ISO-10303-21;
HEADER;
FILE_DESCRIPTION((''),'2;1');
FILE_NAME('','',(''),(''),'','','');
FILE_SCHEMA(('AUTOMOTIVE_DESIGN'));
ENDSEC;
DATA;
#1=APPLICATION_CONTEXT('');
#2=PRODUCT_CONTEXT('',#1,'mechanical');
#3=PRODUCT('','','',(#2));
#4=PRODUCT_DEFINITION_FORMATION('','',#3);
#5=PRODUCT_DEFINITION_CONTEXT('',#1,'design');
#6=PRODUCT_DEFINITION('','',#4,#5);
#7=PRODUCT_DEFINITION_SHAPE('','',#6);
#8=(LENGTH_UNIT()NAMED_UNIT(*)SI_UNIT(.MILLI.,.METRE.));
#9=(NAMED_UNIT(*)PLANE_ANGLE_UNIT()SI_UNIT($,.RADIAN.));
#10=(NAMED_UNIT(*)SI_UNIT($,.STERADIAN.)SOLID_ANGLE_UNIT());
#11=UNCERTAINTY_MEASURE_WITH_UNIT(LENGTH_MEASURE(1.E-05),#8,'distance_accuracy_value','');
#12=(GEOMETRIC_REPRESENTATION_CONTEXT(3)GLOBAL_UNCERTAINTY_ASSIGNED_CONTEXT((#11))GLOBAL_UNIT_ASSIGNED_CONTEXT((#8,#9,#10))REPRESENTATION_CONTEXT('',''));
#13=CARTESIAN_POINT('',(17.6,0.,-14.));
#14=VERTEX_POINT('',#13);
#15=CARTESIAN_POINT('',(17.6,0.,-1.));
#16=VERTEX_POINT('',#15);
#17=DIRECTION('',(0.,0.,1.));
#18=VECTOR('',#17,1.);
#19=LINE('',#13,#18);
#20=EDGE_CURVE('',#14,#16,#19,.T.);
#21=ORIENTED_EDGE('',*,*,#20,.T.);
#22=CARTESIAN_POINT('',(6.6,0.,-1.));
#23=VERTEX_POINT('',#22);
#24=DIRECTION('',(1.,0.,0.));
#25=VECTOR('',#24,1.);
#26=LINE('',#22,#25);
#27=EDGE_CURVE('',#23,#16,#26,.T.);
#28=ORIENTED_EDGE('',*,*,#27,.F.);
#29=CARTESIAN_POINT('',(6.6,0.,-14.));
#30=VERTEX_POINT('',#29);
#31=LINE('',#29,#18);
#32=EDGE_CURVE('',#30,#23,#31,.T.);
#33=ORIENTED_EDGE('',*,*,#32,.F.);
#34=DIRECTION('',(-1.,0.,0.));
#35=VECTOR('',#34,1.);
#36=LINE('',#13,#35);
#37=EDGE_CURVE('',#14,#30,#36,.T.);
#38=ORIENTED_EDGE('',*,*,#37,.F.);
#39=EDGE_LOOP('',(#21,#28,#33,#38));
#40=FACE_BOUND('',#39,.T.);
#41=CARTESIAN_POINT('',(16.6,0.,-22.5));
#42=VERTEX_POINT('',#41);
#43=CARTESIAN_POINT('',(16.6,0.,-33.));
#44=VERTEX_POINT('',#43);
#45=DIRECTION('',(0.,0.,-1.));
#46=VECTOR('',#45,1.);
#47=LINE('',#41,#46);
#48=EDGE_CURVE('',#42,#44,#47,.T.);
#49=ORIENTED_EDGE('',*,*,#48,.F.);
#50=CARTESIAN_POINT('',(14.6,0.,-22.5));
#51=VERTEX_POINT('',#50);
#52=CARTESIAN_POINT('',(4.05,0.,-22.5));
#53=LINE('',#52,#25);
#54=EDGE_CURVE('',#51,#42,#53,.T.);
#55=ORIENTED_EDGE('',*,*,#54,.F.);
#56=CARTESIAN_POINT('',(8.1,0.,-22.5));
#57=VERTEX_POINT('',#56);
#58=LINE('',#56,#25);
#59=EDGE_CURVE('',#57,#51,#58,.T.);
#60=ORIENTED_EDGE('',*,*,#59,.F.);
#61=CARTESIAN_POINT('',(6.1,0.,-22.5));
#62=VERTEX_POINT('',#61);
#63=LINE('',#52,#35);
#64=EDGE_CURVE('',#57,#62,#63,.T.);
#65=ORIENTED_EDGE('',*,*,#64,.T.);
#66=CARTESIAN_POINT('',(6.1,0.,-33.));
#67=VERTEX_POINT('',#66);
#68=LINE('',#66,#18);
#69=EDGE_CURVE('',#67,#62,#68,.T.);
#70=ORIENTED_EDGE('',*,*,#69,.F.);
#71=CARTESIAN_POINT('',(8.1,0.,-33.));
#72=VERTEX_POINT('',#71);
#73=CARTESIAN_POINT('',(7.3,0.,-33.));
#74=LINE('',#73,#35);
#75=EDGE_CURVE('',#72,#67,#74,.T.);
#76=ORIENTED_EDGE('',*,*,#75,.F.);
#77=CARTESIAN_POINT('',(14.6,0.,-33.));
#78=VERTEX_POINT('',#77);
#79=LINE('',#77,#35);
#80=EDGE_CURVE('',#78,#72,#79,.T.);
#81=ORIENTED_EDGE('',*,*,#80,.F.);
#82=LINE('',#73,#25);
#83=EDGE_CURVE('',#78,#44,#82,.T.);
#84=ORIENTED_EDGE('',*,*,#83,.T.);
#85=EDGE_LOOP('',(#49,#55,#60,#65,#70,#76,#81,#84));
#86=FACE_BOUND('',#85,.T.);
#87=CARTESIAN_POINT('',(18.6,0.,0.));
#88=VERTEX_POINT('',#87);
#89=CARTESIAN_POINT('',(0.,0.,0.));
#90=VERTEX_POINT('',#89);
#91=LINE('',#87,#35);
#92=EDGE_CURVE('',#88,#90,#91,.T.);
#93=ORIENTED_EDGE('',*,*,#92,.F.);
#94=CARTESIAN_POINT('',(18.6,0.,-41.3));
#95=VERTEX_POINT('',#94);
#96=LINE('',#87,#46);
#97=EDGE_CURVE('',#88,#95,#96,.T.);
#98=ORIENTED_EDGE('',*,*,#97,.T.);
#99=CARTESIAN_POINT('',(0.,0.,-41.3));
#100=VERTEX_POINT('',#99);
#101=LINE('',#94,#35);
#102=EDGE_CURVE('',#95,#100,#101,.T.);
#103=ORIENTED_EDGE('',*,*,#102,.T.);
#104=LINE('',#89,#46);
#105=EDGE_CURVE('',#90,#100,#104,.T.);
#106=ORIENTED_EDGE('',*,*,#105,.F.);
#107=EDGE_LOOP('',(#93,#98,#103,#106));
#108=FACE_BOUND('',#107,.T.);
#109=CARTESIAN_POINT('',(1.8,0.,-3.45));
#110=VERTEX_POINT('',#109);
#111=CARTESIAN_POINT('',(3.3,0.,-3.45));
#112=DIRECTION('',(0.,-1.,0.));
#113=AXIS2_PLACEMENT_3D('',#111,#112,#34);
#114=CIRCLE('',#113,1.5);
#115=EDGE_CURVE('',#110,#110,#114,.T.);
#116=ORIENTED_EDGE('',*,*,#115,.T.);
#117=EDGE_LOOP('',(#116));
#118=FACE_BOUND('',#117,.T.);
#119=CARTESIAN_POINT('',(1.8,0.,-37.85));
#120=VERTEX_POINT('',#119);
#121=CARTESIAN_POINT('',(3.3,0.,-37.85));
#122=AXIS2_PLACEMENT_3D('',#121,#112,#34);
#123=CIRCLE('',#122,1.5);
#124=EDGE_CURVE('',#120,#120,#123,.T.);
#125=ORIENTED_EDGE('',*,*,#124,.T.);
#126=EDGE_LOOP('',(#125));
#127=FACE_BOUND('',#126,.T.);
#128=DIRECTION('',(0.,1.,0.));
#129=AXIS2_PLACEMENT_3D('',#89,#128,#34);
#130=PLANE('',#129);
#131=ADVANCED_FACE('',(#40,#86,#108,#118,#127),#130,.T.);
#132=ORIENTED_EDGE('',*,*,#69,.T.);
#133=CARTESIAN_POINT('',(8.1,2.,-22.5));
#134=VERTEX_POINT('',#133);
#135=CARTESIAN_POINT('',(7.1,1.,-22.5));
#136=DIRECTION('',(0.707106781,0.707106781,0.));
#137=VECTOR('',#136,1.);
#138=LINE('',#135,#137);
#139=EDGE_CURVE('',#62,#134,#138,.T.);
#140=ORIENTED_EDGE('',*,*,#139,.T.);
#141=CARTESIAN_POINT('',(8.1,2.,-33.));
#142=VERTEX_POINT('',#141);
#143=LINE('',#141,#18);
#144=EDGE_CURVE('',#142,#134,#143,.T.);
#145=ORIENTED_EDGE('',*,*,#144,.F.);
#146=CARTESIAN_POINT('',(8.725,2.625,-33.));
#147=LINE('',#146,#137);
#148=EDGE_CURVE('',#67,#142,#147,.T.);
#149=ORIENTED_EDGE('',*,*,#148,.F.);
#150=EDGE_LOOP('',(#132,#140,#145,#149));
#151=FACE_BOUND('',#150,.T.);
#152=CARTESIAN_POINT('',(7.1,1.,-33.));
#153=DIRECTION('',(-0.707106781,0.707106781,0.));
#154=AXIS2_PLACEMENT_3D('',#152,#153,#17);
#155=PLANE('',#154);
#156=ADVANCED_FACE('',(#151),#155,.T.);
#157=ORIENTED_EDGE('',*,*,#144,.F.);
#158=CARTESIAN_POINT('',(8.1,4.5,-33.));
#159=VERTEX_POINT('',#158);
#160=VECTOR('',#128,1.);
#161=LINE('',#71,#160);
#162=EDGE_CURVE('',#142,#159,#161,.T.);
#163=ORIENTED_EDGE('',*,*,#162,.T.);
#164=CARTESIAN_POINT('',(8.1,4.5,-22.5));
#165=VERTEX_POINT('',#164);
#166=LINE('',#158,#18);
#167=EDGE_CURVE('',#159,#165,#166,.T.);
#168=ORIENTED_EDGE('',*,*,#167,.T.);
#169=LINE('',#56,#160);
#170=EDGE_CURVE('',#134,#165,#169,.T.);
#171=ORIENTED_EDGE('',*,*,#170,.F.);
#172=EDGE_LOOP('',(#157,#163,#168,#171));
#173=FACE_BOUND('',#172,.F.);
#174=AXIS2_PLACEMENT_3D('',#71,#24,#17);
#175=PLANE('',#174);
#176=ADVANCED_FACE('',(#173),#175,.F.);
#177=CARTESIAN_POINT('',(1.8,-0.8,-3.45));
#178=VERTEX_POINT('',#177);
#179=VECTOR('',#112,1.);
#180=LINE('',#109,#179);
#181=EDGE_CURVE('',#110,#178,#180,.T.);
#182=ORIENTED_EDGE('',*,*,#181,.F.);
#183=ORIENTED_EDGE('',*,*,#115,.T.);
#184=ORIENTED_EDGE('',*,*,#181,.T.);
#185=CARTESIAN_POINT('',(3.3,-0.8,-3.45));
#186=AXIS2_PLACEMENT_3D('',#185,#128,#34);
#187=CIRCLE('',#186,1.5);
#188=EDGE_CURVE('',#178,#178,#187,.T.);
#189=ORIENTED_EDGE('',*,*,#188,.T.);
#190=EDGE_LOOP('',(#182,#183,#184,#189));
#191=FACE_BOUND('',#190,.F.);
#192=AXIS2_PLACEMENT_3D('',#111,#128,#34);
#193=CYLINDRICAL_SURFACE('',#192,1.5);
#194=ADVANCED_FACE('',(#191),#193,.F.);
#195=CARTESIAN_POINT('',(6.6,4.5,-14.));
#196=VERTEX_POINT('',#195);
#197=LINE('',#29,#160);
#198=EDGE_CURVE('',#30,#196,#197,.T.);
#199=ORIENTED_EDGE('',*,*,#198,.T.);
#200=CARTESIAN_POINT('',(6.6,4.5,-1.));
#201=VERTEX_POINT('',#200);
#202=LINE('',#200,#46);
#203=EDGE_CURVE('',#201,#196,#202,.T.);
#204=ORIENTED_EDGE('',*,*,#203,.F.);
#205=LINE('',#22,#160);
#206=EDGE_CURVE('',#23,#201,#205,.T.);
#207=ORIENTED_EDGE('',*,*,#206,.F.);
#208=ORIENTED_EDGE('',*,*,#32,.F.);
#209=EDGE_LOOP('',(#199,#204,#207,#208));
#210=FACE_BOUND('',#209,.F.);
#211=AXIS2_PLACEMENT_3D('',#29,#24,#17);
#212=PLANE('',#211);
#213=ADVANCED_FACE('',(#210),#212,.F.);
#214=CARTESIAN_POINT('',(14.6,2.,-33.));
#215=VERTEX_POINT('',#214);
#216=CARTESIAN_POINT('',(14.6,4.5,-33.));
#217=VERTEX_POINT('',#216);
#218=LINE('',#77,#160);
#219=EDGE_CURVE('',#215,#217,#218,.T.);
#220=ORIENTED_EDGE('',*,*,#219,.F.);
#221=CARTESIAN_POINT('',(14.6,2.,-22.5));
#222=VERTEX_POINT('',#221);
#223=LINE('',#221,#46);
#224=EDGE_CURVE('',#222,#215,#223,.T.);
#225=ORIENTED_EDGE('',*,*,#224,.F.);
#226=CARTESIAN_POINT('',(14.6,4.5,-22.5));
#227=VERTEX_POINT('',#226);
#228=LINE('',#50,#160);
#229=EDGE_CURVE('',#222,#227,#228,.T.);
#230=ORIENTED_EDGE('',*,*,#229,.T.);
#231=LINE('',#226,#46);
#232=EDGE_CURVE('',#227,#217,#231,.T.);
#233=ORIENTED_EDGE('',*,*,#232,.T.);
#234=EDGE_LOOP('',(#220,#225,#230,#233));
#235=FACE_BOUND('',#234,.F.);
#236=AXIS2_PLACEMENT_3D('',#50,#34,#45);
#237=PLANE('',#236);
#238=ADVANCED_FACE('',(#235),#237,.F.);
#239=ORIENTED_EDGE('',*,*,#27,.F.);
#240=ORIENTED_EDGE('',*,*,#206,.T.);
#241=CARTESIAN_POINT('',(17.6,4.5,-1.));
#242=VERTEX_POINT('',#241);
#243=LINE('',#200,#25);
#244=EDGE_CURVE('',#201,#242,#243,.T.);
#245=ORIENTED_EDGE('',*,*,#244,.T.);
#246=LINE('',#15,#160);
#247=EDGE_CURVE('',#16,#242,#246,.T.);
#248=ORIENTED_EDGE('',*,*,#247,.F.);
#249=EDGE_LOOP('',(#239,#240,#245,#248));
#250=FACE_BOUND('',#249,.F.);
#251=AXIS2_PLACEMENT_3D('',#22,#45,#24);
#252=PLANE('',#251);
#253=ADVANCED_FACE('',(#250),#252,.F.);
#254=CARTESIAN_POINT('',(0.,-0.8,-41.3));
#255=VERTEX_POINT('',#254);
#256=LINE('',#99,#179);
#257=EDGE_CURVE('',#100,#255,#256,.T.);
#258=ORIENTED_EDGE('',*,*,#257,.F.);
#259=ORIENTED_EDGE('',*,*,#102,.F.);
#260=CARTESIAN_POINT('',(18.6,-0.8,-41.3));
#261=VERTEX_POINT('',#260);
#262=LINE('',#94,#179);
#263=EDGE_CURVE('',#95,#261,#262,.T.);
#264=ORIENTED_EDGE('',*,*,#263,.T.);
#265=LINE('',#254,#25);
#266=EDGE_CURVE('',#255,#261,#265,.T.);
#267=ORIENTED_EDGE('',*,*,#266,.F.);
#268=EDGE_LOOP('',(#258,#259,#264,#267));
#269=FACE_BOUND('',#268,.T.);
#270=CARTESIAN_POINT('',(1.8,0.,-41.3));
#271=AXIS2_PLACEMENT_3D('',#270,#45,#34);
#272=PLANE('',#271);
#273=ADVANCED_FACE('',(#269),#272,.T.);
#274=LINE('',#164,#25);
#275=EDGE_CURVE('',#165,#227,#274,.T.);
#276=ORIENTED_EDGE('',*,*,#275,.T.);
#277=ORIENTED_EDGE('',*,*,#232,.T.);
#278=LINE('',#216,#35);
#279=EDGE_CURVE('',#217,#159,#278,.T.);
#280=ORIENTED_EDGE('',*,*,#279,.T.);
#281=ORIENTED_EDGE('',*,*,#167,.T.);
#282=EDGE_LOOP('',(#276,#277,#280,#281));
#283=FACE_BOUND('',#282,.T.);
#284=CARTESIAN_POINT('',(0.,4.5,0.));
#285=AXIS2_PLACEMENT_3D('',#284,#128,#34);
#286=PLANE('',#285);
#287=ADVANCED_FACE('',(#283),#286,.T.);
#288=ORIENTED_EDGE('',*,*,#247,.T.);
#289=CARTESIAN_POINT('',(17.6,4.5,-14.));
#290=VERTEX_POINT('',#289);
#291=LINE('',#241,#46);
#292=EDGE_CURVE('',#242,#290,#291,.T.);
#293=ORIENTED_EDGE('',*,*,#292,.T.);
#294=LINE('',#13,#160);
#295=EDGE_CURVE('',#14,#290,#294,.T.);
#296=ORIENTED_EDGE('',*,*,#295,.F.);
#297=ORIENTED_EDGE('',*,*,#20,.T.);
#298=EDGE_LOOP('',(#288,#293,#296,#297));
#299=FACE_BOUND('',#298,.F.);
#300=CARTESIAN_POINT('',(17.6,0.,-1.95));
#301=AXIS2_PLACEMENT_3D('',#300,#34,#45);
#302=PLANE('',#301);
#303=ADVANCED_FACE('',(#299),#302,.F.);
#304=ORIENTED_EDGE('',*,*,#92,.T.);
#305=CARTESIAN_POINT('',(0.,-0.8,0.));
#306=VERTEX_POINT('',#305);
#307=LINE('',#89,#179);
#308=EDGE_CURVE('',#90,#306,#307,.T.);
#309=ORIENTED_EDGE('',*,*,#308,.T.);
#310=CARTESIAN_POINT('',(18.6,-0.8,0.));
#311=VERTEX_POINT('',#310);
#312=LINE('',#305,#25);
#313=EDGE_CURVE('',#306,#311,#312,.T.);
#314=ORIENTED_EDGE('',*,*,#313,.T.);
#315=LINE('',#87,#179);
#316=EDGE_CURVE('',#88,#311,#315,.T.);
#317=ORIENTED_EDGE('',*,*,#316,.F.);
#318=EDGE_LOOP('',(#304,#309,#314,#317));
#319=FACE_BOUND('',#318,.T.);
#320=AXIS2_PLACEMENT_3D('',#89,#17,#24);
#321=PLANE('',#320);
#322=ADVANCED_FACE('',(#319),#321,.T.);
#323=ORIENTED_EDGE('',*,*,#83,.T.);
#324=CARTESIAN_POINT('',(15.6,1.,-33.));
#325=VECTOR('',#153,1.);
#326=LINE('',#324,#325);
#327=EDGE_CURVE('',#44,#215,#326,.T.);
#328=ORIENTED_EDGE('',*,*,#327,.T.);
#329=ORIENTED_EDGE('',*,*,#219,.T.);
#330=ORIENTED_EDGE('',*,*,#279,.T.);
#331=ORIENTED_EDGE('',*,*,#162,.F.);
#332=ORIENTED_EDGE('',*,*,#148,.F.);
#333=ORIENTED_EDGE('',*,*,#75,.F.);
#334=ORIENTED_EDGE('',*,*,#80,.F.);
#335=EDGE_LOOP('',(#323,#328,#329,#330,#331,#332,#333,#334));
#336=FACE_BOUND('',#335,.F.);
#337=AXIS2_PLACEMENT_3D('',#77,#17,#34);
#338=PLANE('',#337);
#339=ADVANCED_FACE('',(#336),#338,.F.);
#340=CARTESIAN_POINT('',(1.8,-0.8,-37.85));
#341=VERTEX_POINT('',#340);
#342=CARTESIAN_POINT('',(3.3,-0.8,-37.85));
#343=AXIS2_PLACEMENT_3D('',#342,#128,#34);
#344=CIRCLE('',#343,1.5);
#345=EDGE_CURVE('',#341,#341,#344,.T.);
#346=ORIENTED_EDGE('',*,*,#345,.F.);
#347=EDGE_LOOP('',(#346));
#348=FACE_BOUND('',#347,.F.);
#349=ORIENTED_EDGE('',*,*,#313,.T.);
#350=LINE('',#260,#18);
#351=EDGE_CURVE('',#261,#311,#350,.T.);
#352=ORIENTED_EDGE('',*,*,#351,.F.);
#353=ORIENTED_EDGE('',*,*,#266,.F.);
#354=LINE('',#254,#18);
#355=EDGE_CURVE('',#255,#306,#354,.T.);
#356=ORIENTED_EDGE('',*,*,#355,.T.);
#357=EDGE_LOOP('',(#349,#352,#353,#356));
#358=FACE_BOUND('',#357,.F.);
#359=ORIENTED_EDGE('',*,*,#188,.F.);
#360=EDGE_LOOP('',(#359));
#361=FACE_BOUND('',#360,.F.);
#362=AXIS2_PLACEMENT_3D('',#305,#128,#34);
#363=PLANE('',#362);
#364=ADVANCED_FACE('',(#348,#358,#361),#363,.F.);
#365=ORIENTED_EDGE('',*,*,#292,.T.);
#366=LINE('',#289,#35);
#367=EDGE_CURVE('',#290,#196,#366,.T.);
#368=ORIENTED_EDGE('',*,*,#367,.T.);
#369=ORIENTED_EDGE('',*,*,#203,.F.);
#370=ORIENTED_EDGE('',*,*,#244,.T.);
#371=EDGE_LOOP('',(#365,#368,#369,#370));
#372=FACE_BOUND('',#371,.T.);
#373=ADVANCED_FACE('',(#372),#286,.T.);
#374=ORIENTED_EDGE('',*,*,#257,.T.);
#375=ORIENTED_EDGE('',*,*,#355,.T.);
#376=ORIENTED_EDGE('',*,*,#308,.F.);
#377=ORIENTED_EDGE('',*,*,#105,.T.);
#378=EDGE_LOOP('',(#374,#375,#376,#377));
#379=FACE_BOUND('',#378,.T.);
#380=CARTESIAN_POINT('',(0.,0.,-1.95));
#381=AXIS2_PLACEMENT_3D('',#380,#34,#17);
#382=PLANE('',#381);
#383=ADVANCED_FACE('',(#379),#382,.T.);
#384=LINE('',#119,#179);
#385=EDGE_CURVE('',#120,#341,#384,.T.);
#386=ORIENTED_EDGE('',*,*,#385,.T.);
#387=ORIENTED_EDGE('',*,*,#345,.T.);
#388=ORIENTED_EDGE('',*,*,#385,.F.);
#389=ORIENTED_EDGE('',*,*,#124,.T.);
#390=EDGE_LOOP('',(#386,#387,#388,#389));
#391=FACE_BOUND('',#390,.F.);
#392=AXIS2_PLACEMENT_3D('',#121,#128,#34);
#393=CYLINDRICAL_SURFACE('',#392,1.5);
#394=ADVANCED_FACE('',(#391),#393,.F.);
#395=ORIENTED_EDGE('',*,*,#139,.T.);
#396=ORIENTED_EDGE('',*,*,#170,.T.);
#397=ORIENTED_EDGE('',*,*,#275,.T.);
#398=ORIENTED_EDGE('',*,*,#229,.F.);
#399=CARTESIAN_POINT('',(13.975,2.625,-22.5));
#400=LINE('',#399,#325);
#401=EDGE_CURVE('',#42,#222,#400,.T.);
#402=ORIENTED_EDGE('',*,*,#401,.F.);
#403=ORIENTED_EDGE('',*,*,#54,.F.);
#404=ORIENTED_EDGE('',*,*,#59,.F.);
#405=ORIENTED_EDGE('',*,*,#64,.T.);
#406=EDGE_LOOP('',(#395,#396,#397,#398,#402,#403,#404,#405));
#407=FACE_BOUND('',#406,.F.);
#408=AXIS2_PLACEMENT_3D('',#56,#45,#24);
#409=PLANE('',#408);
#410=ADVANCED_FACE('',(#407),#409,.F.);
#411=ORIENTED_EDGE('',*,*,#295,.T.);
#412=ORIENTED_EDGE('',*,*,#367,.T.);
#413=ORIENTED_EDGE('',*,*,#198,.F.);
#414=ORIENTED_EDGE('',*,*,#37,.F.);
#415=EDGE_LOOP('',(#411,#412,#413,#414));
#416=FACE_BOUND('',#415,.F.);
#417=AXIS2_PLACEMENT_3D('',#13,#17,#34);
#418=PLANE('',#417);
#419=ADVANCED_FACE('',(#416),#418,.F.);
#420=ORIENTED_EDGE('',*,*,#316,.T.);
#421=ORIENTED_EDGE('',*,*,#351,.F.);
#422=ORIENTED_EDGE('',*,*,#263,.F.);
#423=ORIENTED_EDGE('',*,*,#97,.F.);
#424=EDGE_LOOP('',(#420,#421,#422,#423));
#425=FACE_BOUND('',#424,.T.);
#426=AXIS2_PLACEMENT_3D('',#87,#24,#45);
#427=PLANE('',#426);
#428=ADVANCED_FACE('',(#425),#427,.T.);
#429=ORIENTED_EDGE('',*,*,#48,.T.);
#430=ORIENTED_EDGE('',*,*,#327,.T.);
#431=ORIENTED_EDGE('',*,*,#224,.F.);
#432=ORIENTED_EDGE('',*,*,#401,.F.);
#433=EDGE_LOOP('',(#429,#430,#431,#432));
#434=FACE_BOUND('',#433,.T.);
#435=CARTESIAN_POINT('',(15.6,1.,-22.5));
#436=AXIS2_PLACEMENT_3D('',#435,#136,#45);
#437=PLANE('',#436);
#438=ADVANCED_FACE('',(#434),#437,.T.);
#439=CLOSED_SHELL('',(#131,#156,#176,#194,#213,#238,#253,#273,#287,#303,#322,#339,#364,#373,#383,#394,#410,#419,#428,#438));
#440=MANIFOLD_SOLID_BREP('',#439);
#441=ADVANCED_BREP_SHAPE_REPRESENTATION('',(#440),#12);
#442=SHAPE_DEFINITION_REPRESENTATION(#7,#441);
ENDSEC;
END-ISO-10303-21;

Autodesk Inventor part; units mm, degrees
ref_plane "YZ Plane" through (0, 0, 0) normal (1, 0, 0) x (0, 1, 0)
ref_plane "XZ Plane" through (0, 0, 0) normal (0, 1, 0) x (-1, 0, 0)
ref_plane "XY Plane" through (0, 0, 0) normal (0, 0, 1) x (1, 0, 0)
sketch "Sketch1" plane through (0, 0, 0) normal (0, 1, 0) x (-1, 0, 0)
  line L0 (0, 0) -> (-18.6, 0)
  line L1 (-18.6, 0) -> (-18.6, -41.3)
  line L2 (-18.6, -41.3) -> (0, -41.3)
  line L3 (0, -41.3) -> (0, 0)
  line L4 (-1.8, 0) -> (-1.8, -41.3)
  line L5 (0, -39.35) -> (-18.6, -39.35)
  circle A0 centre (-3.3, -3.45) radius 1.5
  circle A1 centre (-3.3, -37.85) radius 1.5
  line L6 (-8.1, -22.5) -> (-14.6, -22.5)
  line L7 (-14.6, -22.5) -> (-14.6, -33)
  line L8 (-14.6, -33) -> (-8.1, -33)
  line L9 (-8.1, -33) -> (-8.1, -22.5)
  line L10 (-6.6, -1) -> (-17.6, -1)
  line L11 (-17.6, -1) -> (-17.6, -14)
  line L12 (-17.6, -14) -> (-6.6, -14)
  line L13 (-6.6, -14) -> (-6.6, -1)
  line L14 (0, -1.95) -> (-18.6, -1.95)
  dimension "d0" = 18.6
  dimension "d1" = 41.3
  dimension "d2" = 1.8
  dimension "d4" = 1.95
  dimension "d5" = 3
  dimension "d6" = 3
  dimension "d7" = 6.5
  dimension "d8" = 10.5
  dimension "d11" = 8.1
  dimension "d12" = 8.3
  dimension "d13" = 11
  dimension "d14" = 13
  dimension "d16" = 1
  dimension "d17" = 1
  dimension "d27" = 1.95
extrude "Extrusion1" add sketch "Sketch1" against normal blind 0.8 contours L3 L14 L4 L0 | L4 L14 L13 L10 L11 L1 L0 | L3 L5 L4 L14 | L4 A0 L14 | L3 L2 L4 L5 | L14 L11 L12 L13 A0 L4 A1 L5 L1 | L5 A1 L4 | L4 L2 L1 L5 | L14 L13 L12 L11 | L11 L10 L13 L14 | L9 L8 L7 L6
extrude "Extrusion2" add sketch "Sketch1" along normal blind 4.5 contours L14 L13 L12 L11 | L11 L10 L13 L14
extrude "Extrusion3" add sketch "Sketch1" along normal blind 4.5 contours L9 L8 L7 L6
chamfer "Chamfer1" distance 2 angle 45 2 edges at (8.1, 0, -27.75) (14.6, 0, -27.75)
properties part number "interface_board"
